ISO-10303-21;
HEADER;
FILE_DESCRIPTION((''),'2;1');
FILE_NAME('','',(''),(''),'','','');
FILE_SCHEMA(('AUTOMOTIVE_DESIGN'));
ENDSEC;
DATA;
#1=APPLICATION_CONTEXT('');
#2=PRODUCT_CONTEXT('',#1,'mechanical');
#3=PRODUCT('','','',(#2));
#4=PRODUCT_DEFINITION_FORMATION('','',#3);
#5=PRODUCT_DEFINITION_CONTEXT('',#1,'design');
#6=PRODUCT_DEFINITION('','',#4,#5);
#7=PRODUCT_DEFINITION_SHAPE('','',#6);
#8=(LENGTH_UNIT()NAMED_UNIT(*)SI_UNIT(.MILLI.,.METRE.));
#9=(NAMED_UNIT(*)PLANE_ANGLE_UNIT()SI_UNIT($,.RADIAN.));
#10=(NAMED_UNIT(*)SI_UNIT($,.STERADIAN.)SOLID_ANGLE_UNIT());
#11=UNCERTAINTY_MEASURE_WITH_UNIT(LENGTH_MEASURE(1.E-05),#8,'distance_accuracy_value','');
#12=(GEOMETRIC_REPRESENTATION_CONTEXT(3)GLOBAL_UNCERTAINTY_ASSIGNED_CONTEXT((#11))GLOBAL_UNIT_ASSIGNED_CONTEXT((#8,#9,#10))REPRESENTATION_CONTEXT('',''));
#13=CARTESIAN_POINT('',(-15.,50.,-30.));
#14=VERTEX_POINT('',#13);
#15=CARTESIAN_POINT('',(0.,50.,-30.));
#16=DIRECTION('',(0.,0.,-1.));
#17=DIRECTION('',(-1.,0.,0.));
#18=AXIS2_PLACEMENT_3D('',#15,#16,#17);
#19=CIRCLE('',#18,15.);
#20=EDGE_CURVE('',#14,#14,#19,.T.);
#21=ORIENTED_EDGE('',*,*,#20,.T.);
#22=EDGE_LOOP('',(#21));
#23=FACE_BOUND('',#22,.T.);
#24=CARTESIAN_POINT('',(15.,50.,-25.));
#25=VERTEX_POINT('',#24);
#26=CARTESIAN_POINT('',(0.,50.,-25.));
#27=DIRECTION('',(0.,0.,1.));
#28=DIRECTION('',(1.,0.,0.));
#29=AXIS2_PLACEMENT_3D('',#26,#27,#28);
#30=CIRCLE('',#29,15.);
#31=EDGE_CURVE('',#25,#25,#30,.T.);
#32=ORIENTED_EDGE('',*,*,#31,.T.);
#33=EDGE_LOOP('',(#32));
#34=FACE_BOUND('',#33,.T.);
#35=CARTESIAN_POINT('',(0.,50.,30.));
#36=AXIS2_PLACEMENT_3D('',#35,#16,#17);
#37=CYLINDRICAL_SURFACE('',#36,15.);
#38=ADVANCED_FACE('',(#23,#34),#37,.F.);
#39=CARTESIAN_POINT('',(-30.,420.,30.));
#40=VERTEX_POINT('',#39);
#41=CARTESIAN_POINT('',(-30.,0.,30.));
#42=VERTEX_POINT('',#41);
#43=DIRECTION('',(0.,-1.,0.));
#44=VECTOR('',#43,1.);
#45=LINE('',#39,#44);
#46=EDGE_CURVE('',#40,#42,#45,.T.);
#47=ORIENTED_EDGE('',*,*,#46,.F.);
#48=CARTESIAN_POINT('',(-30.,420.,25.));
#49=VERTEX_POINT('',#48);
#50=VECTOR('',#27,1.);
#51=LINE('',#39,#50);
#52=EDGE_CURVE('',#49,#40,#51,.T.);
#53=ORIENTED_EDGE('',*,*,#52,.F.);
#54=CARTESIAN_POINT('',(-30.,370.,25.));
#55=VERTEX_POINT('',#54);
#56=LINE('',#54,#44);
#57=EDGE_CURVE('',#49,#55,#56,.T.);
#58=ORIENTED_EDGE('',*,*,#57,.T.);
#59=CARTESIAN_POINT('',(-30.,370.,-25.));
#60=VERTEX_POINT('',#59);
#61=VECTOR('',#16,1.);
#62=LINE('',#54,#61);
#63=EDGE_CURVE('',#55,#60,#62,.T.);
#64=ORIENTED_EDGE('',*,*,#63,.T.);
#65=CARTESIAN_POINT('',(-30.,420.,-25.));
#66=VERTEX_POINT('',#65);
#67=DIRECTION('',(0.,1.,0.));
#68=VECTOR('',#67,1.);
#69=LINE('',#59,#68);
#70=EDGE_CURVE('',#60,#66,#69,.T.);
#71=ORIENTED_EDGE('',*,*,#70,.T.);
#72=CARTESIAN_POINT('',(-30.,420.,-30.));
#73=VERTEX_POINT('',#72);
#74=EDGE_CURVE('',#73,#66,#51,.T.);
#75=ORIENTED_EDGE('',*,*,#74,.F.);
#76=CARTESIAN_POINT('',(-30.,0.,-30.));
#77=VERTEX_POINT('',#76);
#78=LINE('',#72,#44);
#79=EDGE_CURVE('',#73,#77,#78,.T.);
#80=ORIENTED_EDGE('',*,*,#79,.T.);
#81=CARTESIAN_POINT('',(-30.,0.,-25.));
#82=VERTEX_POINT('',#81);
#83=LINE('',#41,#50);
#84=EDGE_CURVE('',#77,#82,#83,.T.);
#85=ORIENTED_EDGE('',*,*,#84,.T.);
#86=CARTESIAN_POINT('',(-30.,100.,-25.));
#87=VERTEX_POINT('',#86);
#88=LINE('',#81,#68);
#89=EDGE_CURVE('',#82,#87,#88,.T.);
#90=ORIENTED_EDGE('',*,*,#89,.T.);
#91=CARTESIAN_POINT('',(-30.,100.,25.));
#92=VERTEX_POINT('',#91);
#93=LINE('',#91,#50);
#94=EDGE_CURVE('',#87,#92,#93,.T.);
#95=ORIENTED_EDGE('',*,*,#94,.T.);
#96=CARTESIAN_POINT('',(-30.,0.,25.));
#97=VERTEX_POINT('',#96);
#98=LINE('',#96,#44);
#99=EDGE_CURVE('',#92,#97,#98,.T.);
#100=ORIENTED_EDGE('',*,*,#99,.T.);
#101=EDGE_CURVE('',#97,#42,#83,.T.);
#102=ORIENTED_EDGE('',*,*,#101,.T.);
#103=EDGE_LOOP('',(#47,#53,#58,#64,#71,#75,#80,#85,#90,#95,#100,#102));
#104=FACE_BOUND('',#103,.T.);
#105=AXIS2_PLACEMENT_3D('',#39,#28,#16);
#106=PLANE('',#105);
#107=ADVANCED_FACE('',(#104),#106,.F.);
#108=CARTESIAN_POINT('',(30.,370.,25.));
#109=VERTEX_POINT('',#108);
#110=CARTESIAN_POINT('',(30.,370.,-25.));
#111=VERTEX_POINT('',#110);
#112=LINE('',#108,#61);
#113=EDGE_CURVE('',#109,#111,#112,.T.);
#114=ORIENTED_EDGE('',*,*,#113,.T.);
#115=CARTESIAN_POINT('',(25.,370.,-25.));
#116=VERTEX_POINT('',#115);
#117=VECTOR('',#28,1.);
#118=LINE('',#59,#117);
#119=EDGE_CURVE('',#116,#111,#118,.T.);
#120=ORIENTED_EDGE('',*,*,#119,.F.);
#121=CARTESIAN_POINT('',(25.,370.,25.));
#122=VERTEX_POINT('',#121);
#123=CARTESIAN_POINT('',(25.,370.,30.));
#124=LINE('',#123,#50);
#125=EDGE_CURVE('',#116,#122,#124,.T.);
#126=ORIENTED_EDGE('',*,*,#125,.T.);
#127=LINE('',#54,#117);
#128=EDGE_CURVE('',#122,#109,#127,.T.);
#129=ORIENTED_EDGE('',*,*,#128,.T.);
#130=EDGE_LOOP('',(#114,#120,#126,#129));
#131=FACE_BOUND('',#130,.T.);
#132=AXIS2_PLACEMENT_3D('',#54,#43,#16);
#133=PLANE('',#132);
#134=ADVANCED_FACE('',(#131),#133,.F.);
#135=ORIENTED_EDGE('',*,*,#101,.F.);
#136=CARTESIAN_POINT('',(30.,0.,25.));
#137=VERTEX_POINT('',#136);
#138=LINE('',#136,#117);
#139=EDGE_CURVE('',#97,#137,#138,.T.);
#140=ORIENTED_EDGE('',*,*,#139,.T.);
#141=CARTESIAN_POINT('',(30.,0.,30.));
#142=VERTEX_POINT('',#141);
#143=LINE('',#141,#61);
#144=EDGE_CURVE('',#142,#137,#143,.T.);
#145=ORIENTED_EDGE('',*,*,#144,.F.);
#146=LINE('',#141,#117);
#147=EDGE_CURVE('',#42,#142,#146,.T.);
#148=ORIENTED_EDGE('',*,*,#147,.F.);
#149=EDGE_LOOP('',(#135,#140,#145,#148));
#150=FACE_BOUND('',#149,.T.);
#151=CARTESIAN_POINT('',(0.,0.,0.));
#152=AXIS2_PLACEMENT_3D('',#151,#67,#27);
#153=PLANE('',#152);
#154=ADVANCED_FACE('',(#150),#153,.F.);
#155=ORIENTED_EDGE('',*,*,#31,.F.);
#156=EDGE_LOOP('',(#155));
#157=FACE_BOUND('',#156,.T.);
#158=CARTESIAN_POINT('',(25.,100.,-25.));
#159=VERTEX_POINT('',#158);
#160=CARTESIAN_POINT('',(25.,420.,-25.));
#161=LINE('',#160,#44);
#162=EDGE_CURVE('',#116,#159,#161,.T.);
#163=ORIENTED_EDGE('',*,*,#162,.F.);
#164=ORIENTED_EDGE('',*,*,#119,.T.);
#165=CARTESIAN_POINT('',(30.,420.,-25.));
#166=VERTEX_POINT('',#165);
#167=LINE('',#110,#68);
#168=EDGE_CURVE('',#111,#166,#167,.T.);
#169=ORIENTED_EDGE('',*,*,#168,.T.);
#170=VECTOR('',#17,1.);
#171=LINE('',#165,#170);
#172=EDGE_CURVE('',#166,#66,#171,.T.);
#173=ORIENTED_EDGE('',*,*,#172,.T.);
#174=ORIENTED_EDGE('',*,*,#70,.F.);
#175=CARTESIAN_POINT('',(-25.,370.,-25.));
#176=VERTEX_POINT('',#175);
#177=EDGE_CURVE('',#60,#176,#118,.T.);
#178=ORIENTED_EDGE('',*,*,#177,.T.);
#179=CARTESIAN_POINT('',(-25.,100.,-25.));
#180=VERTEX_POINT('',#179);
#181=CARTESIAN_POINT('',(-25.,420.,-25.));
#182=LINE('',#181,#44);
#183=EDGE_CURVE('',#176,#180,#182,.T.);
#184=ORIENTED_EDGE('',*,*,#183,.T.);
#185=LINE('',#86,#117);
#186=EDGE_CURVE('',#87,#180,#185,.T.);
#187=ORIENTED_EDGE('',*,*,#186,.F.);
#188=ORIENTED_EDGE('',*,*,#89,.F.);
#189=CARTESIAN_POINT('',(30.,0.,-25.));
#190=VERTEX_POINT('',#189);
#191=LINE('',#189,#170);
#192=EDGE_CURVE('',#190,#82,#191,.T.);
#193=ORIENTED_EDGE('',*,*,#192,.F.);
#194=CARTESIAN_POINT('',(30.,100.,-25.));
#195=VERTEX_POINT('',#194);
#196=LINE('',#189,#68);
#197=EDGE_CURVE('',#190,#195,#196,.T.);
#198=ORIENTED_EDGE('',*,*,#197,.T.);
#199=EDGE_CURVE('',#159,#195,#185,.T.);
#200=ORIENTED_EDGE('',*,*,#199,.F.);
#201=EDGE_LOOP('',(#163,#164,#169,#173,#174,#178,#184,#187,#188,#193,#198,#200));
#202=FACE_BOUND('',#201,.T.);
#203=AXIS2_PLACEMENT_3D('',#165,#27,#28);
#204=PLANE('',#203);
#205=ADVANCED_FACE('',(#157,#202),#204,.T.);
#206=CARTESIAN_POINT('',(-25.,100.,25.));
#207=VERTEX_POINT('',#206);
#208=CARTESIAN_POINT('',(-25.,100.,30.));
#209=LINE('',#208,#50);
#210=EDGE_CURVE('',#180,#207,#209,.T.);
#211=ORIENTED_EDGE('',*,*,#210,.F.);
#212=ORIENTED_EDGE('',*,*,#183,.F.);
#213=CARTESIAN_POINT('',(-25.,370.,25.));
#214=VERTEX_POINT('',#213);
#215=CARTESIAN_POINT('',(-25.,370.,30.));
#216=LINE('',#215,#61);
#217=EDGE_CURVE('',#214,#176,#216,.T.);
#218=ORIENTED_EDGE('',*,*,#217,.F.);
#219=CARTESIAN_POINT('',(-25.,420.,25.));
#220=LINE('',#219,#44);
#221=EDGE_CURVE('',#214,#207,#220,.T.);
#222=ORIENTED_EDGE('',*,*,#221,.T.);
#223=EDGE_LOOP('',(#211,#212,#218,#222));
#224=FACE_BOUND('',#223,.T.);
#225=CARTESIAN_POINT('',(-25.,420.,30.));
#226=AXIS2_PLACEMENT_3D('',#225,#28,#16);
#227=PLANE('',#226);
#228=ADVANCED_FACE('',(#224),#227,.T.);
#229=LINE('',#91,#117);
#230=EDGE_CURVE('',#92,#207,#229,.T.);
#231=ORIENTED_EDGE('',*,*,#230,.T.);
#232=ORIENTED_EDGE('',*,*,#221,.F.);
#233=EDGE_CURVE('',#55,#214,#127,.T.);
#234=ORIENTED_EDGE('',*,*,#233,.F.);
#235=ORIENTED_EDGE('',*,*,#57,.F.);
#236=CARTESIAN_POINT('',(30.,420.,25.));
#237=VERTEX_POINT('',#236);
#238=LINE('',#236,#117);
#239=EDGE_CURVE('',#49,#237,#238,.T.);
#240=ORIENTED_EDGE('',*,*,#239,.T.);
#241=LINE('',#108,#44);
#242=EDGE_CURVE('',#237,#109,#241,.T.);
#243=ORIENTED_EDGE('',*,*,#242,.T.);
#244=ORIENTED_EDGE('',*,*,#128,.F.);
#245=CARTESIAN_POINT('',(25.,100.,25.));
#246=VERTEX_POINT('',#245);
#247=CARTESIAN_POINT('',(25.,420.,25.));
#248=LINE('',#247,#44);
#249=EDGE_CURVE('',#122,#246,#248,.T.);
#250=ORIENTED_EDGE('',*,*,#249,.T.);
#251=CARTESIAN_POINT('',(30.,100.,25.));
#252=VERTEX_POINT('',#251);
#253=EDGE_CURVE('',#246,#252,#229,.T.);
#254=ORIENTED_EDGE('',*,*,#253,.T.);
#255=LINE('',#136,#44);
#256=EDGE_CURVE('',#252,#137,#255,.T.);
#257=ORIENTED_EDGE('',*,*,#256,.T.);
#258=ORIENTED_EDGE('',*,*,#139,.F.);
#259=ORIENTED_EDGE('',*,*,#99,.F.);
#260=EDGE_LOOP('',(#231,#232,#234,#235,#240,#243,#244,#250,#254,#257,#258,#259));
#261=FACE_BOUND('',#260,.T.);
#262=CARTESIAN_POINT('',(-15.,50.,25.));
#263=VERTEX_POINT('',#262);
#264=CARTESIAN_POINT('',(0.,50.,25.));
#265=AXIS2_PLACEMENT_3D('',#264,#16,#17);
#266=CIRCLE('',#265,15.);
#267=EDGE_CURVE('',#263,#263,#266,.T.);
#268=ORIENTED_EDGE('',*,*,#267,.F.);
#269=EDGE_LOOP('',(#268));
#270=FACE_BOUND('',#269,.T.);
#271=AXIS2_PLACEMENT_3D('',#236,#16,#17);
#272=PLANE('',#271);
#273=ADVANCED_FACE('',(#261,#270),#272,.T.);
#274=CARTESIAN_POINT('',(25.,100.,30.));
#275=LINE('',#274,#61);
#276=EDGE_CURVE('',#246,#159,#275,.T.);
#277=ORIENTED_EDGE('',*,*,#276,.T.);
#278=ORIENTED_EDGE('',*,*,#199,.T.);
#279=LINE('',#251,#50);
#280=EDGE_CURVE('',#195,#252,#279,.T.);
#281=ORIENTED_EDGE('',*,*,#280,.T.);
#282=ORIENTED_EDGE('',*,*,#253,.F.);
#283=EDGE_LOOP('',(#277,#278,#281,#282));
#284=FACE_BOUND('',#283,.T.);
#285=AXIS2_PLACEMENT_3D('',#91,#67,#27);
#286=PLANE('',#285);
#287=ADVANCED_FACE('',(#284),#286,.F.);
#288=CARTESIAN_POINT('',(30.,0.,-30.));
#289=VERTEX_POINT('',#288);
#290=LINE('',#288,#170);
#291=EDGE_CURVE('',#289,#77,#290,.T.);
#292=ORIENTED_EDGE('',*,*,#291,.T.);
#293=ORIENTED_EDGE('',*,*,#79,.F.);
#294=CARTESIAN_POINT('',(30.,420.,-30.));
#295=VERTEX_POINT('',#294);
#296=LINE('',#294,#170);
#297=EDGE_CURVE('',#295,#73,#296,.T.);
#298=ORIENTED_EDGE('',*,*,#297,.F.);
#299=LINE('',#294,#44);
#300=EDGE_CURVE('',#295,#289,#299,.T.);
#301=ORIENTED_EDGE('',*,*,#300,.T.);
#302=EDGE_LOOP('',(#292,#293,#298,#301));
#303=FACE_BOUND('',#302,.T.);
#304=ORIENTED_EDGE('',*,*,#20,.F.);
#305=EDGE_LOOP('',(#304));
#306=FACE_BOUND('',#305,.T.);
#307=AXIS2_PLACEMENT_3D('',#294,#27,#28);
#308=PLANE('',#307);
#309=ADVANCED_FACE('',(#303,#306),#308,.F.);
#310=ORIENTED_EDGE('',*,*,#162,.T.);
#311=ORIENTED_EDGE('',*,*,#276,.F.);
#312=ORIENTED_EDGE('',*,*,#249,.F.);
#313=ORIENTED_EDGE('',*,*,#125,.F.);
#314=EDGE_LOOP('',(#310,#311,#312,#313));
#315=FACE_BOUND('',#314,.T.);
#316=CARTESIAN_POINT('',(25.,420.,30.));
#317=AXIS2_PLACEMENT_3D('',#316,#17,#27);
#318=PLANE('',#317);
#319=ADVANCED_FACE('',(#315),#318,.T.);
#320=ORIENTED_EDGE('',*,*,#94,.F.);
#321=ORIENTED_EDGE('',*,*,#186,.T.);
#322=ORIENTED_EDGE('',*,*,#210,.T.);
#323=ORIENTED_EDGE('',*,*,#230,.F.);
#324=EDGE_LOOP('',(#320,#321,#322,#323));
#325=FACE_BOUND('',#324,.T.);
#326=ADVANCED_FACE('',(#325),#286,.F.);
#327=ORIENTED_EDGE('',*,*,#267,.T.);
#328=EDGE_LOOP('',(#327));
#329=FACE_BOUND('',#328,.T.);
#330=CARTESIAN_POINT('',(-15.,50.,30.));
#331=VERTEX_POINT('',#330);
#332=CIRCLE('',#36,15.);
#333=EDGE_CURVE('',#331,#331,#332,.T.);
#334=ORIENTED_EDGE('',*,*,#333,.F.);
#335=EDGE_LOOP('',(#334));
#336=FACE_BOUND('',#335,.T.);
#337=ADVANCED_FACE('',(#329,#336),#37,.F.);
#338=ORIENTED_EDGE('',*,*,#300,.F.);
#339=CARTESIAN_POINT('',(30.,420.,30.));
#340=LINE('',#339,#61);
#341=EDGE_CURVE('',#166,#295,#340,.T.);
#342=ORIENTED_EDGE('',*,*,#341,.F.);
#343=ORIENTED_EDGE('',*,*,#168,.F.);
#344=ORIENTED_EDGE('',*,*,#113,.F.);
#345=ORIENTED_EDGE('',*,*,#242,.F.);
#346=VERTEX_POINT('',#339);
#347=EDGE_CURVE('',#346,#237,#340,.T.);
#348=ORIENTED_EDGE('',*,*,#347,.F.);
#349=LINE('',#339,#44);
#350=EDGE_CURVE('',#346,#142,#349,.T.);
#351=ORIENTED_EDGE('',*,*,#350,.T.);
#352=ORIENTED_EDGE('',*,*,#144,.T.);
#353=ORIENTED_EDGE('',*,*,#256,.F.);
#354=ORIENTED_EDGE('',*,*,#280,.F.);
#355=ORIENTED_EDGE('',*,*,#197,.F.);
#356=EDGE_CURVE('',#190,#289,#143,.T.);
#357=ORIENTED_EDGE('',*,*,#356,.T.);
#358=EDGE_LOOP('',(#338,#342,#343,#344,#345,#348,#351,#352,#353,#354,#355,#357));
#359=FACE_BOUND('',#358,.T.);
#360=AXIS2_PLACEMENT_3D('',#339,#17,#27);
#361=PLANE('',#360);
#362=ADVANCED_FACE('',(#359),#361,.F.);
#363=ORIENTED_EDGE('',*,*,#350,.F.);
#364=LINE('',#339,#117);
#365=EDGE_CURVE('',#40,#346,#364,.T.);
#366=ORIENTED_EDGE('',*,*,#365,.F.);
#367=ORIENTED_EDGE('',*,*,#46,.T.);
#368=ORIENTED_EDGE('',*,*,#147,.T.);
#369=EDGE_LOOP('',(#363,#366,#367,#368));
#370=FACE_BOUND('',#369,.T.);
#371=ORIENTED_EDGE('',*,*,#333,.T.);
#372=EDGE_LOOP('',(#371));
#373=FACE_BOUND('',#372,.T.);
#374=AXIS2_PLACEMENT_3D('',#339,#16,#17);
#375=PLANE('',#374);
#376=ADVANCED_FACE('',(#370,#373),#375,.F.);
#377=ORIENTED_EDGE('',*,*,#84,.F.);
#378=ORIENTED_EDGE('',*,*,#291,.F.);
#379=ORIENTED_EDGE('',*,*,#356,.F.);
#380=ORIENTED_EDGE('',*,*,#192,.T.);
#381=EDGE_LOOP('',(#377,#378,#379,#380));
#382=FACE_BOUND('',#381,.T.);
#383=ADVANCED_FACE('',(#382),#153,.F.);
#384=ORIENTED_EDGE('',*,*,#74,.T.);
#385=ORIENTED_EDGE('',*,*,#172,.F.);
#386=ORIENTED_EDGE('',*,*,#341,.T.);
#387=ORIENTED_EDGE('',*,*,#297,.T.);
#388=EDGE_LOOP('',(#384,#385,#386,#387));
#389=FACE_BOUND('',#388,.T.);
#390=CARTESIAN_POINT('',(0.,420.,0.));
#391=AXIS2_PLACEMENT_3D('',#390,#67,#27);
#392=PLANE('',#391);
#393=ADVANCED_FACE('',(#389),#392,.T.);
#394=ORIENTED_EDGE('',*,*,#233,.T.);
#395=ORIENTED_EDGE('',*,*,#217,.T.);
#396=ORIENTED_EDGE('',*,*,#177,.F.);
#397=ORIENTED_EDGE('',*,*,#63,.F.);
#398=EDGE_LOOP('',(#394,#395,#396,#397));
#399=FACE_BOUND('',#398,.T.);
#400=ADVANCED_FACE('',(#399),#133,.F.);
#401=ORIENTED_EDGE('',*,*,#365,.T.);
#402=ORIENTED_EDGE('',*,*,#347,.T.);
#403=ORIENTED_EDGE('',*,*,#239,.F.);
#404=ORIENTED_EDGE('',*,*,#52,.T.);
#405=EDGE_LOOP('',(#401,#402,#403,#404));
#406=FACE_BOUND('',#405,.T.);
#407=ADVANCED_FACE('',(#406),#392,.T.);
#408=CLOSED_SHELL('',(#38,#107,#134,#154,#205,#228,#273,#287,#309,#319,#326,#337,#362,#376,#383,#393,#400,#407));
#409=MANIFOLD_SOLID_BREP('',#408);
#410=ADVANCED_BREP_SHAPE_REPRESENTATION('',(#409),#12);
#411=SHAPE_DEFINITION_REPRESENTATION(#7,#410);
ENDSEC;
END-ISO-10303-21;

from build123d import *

# Parameters (mm, degrees)
SKETCH2_W               = 60
SKETCH2_H               = 60
BOSS_EXTRUDE1_DEPTH     = 420
SHELL1_T                = -5
SKETCH3_W               = 100
SKETCH3_H               = 50
SKETCH3_W_2             = 50
CUT_EXTRUDE1_DEPTH      = 426.323406363
CUT_EXTRUDE3_DEPTH      = 425.646912152
CUT_EXTRUDE3_DEPTH_BACK = 425.646912152
SKETCH4_R               = 15


with BuildPart() as part:
    # Sketch2 → Boss-Extrude1 (new body)
    with BuildSketch(Plane(origin=(0, 0, 0), x_dir=(-1, 0, 0), z_dir=(0, 1, 0))):
        Rectangle(SKETCH2_W, SKETCH2_H)
    extrude(amount=BOSS_EXTRUDE1_DEPTH)

    # Shell1
    shell1_openings = [part.faces().sort_by_distance(p)[0] for p in [
        (0, 0, 0),
        (0, 420, 0),
    ]]
    offset(amount=SHELL1_T, openings=shell1_openings, kind=Kind.INTERSECTION)

    # Sketch3 → Cut-Extrude1 (cut, through all)
    with BuildSketch(Plane.YZ.offset(30)):
        with Locations((50, 0)):
            Rectangle(SKETCH3_W, SKETCH3_H)
        with Locations((395, 0)):
            Rectangle(SKETCH3_W_2, SKETCH3_H)
    extrude(amount=-CUT_EXTRUDE1_DEPTH, mode=Mode.SUBTRACT)

    # Sketch4 → Cut-Extrude3 (cut, two sides: drawn at the far end of the back side and taken through both)
    with BuildSketch(Plane(origin=(0, 0, 25), x_dir=(1, 0, 0), z_dir=(0, 0, -1)).offset(-CUT_EXTRUDE3_DEPTH_BACK)):
        with Locations((0, -50)):
            Circle(SKETCH4_R)
    extrude(amount=CUT_EXTRUDE3_DEPTH + CUT_EXTRUDE3_DEPTH_BACK, mode=Mode.SUBTRACT)


solid = part.part
